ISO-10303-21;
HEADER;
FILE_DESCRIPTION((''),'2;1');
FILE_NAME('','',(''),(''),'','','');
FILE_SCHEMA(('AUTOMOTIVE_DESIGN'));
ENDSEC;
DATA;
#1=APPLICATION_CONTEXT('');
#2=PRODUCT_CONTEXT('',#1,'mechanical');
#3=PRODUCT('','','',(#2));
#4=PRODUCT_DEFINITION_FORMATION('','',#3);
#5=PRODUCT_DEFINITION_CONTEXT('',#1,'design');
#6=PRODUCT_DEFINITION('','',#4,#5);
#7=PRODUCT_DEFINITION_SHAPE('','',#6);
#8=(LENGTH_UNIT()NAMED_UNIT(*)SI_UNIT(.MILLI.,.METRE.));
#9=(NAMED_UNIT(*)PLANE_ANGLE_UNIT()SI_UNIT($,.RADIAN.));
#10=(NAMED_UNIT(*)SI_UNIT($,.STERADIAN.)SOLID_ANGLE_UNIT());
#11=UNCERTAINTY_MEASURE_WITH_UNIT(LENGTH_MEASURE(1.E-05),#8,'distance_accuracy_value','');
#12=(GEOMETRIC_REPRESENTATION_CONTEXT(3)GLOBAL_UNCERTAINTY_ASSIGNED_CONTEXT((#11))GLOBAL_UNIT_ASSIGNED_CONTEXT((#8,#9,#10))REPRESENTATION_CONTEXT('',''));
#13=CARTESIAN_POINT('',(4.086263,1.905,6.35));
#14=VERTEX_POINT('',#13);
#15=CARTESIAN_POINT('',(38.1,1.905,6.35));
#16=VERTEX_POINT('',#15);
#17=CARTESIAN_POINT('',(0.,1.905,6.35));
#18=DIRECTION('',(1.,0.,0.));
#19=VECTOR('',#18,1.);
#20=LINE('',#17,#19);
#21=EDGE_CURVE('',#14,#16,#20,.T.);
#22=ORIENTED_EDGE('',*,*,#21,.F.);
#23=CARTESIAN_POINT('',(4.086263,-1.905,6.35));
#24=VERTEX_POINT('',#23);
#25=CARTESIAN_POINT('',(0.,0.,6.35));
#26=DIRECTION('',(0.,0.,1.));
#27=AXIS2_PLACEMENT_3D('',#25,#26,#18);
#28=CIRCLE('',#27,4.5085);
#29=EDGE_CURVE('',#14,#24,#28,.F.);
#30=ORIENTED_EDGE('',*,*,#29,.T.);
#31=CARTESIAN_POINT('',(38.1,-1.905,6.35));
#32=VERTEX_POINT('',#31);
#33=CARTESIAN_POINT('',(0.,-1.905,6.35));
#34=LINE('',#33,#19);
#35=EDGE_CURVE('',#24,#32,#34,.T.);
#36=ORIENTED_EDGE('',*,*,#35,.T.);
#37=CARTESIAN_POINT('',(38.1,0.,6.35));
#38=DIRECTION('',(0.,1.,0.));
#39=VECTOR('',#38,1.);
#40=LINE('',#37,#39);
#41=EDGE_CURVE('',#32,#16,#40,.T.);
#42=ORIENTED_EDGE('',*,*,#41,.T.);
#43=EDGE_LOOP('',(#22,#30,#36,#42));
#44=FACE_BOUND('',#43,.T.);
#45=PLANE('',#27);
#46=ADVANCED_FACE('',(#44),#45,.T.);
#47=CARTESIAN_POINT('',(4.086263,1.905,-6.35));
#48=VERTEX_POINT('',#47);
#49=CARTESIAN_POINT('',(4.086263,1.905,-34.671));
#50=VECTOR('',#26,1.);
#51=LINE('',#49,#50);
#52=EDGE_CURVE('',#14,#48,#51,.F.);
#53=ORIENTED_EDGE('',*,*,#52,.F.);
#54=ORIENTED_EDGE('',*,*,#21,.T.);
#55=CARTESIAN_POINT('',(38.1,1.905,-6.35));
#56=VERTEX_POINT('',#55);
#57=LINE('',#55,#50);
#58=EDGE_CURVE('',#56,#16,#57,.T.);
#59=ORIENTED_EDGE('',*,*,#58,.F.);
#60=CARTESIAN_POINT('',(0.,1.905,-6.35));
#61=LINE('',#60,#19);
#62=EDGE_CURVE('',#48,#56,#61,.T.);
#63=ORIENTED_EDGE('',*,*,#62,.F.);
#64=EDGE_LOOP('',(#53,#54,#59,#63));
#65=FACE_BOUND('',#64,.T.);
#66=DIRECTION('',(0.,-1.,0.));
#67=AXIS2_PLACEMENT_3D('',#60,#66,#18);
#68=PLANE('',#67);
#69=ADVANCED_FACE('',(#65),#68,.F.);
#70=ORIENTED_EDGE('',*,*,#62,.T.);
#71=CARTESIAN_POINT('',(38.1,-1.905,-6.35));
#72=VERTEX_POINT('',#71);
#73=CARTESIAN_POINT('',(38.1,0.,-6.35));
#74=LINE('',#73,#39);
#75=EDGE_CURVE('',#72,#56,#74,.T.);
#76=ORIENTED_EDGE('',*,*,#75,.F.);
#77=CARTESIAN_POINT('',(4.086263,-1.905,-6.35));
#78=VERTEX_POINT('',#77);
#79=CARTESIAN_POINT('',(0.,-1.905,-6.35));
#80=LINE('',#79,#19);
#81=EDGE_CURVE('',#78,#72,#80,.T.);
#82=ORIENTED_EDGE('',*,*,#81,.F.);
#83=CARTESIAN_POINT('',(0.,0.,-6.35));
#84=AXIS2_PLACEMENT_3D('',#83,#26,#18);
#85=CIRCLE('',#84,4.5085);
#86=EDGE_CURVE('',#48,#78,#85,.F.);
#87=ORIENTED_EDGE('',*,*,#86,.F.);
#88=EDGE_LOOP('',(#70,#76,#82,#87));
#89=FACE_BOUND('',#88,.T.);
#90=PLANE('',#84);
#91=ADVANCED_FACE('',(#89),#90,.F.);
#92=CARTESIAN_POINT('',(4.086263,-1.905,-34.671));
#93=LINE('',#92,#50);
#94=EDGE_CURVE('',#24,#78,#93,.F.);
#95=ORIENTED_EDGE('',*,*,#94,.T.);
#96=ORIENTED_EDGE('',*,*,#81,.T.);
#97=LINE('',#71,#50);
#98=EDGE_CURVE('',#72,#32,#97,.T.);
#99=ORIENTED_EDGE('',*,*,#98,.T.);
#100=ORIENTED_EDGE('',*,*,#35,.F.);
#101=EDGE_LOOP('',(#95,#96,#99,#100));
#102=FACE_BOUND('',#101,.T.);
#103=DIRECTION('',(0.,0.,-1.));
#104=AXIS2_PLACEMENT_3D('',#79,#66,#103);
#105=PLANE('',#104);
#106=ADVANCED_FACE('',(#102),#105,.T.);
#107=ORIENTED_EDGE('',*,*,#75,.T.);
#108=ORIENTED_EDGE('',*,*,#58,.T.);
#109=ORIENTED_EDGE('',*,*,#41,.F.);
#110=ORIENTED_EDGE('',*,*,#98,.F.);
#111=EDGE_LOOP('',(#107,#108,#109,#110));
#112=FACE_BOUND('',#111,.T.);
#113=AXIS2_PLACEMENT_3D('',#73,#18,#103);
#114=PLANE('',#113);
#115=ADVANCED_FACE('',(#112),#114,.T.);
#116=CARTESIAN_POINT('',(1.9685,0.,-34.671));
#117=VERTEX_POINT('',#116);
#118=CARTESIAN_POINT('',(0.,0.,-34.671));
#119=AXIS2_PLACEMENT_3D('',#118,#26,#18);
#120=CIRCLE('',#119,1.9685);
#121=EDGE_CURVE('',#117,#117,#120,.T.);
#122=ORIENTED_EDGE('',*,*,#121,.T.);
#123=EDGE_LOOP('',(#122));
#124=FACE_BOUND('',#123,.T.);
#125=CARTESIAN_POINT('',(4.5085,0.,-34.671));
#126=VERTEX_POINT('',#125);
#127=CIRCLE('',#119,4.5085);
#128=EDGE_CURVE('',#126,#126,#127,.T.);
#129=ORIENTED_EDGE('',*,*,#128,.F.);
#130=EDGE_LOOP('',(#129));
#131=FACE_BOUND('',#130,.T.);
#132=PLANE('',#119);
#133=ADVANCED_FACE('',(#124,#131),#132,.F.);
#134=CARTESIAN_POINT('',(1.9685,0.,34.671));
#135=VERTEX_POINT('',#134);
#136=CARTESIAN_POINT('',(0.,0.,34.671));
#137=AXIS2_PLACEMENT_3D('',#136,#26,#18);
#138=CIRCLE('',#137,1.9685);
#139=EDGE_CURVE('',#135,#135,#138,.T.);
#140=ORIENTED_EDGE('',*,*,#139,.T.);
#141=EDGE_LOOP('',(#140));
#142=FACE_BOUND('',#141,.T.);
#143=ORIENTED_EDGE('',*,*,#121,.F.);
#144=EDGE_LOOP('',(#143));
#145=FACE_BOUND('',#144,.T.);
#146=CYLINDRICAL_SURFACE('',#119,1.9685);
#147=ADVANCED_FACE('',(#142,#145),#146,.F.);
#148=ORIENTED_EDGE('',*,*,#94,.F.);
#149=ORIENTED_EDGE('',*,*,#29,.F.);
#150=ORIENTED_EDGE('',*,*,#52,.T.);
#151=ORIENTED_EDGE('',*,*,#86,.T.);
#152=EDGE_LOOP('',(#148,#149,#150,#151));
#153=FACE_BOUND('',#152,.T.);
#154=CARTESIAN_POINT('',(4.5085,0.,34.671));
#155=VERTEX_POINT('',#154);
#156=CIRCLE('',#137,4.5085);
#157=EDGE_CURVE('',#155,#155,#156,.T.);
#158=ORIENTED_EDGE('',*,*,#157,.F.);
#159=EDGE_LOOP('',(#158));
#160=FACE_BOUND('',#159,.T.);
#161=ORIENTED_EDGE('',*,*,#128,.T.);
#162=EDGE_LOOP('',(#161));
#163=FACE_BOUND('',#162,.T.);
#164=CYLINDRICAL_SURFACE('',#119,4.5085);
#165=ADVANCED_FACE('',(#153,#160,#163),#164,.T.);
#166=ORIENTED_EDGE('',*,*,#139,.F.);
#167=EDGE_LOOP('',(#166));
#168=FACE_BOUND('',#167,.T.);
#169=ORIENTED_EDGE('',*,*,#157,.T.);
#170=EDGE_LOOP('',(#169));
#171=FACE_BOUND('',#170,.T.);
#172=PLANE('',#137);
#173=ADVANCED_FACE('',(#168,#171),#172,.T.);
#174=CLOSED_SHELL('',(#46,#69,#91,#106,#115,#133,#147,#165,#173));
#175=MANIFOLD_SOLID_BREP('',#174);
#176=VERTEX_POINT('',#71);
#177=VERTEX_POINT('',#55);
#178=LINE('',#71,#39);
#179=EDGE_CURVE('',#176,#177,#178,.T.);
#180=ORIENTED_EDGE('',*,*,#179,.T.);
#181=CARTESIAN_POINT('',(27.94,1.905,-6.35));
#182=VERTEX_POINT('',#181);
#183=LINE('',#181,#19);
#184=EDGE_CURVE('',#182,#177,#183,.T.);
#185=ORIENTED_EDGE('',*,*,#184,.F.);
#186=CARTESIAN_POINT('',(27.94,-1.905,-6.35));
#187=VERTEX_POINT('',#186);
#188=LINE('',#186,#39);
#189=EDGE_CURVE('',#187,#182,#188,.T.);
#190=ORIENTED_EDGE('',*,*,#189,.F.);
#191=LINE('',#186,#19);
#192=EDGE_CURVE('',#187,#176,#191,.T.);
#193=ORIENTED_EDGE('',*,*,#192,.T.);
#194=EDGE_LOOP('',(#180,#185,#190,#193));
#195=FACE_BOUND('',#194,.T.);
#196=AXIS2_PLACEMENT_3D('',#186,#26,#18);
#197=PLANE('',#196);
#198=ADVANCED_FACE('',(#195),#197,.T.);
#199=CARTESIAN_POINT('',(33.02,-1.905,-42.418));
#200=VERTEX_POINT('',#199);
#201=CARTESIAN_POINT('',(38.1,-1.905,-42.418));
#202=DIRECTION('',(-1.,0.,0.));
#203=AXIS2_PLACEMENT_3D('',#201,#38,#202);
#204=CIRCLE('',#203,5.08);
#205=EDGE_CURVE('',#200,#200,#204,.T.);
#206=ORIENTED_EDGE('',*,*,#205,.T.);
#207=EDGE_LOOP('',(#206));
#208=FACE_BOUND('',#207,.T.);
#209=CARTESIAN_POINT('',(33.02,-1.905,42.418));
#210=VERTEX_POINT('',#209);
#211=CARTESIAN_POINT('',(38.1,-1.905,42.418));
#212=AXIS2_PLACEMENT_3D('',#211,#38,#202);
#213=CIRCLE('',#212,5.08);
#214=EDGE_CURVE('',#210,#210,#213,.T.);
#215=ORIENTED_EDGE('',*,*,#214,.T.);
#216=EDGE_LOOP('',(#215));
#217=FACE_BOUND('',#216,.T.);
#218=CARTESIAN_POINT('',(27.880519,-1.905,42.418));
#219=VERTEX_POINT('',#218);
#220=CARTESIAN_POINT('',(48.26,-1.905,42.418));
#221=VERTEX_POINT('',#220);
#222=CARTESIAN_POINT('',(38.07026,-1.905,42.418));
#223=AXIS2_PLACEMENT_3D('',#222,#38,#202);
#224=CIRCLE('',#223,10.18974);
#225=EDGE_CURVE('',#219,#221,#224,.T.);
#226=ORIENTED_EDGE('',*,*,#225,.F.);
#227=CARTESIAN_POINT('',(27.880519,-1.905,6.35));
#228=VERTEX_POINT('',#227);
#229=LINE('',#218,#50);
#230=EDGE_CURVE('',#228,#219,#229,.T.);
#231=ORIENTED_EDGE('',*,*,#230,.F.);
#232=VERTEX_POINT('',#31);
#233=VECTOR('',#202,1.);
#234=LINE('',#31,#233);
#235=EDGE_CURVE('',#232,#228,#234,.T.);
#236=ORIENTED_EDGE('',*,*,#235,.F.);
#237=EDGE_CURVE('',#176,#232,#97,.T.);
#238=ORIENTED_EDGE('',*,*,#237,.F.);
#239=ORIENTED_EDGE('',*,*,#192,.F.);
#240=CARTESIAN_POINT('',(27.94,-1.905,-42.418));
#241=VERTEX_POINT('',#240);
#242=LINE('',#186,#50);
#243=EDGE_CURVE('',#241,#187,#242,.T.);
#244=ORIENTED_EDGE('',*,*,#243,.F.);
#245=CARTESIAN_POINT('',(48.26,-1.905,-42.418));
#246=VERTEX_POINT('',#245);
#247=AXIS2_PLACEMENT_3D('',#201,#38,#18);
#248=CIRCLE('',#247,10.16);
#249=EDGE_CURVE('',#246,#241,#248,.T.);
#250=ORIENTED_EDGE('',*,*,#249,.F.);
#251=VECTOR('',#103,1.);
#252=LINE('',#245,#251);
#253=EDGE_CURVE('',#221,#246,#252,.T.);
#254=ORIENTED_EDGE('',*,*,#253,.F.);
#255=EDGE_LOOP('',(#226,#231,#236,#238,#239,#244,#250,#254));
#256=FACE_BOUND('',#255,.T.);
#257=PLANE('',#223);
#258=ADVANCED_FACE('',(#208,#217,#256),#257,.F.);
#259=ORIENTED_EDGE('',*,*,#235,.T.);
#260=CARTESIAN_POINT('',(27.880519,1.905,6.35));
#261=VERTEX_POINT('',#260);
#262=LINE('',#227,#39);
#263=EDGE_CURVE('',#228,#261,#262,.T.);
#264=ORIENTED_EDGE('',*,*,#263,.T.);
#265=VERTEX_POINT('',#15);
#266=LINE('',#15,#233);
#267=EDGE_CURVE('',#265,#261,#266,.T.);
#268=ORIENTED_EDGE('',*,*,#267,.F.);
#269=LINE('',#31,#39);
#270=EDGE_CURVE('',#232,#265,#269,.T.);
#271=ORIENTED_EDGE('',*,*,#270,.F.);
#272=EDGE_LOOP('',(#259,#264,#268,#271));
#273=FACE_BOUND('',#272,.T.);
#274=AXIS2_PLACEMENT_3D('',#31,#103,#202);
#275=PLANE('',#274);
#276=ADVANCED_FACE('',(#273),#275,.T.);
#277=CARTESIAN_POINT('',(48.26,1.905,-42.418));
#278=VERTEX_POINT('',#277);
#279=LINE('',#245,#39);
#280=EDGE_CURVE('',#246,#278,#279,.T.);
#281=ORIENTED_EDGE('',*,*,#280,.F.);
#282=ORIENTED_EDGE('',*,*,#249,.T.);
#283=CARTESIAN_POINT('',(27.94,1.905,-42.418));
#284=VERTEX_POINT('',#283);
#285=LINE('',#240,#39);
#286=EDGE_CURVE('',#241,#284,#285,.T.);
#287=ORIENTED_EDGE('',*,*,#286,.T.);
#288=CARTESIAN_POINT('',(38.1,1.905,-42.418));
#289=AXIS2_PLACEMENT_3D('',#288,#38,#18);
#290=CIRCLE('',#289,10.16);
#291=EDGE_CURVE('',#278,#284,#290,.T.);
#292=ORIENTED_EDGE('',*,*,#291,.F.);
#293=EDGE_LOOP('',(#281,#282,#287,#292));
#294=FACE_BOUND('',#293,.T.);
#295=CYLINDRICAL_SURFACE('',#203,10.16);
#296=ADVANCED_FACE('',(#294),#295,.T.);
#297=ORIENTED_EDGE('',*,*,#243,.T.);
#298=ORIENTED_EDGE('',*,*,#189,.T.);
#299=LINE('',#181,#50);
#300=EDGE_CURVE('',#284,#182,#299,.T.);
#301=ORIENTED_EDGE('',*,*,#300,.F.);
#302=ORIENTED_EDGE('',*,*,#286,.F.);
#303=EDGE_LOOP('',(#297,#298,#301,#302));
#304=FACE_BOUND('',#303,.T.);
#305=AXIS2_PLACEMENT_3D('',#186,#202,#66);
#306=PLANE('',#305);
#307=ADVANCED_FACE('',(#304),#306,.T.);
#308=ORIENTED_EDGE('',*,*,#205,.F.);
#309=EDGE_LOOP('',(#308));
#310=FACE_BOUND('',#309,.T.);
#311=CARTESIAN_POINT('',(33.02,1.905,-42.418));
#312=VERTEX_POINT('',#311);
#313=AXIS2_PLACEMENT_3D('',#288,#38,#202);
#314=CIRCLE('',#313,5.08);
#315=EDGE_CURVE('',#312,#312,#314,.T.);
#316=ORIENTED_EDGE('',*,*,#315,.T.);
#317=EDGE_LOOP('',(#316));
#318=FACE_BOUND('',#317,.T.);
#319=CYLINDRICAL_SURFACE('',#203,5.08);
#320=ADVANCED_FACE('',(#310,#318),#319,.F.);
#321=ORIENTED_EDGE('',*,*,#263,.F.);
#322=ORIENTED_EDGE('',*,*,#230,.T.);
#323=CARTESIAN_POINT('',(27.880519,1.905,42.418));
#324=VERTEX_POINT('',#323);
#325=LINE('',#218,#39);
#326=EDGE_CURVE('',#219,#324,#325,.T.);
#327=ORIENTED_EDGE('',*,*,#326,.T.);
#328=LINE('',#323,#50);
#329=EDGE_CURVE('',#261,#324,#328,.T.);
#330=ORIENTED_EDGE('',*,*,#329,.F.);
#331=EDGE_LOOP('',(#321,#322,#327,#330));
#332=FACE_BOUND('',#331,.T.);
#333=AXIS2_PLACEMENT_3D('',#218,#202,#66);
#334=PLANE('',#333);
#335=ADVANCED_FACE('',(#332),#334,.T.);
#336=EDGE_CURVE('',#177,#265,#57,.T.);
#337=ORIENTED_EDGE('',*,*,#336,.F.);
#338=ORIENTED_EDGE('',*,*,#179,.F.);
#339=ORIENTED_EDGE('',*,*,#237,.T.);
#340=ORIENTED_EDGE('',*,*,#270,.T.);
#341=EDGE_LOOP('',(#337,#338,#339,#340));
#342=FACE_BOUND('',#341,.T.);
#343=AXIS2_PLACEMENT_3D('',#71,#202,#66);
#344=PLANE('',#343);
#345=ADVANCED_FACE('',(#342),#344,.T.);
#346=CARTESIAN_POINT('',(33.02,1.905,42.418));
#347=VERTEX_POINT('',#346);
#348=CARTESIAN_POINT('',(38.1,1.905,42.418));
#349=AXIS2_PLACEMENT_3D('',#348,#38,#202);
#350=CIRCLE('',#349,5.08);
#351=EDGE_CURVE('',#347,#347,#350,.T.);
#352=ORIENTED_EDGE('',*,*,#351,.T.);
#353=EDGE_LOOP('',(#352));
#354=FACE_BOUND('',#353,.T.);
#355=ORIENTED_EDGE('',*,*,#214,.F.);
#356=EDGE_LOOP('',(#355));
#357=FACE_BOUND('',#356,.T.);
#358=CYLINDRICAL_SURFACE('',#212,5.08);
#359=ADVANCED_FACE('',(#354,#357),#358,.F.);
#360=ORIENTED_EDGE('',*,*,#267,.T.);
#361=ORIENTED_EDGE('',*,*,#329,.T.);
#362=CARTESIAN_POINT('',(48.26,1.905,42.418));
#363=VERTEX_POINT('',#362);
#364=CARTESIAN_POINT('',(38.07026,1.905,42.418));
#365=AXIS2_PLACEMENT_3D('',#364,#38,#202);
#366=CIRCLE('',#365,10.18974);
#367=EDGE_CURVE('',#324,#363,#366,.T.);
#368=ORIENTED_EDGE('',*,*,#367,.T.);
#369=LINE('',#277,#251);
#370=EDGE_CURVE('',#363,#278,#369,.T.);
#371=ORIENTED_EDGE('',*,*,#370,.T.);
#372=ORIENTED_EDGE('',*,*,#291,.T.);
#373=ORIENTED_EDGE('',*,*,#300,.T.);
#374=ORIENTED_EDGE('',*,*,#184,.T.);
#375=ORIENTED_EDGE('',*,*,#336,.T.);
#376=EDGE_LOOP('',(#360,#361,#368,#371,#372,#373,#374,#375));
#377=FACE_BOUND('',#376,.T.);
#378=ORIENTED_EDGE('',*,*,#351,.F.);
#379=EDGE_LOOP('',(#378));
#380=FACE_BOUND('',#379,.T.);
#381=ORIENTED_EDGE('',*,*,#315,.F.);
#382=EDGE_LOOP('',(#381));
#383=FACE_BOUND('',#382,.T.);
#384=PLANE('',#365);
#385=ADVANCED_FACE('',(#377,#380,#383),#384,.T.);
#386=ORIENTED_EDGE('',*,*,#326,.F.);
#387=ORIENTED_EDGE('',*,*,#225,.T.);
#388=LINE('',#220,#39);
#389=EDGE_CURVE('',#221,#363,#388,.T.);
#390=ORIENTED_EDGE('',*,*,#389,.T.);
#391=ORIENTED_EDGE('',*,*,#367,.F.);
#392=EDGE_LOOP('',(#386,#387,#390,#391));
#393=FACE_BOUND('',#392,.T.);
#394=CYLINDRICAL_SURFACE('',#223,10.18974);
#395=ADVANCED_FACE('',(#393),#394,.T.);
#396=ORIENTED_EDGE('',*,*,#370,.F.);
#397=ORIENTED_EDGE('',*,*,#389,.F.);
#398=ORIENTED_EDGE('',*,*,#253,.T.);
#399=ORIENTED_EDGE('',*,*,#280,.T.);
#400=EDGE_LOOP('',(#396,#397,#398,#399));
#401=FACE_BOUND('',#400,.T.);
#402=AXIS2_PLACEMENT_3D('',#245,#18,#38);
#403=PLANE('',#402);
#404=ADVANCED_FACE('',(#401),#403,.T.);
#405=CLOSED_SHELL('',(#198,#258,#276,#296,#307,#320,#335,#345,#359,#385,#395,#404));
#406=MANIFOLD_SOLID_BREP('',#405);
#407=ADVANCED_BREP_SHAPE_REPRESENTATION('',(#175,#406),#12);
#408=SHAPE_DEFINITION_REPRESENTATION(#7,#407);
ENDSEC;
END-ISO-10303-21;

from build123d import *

# Parameters (mm, degrees)
BOSS_EXTRUDE1_DEPTH      = 34.671
BOSS_EXTRUDE1_DEPTH_BACK = 34.671
SKETCH1_R                = 4.5085
SKETCH1_R_2              = 1.9685
BOSS_EXTRUDE2_DEPTH      = 6.35
BOSS_EXTRUDE2_DEPTH_BACK = 6.35
SKETCH3_W                = 36.1315
SKETCH3_H                = 3.81
SKETCH5_R                = 5.08
BOSS_EXTRUDE3_DEPTH      = 3.81


with BuildPart() as part:
    # Sketch1 → Boss-Extrude1 (new, two sides: drawn at the far end of the back side and taken through both)
    with BuildSketch(Plane.XY.offset(-BOSS_EXTRUDE1_DEPTH_BACK)):
        Circle(SKETCH1_R)
        Circle(SKETCH1_R_2, mode=Mode.SUBTRACT)
    extrude(amount=BOSS_EXTRUDE1_DEPTH + BOSS_EXTRUDE1_DEPTH_BACK)

    # Sketch3 → Boss-Extrude2 (add, two sides: drawn at the far end of the back side and taken through both)
    with BuildSketch(Plane.XY.offset(-BOSS_EXTRUDE2_DEPTH_BACK)):
        with Locations((20.03425, 0)):
            Rectangle(SKETCH3_W, SKETCH3_H)
    extrude(amount=BOSS_EXTRUDE2_DEPTH + BOSS_EXTRUDE2_DEPTH_BACK)


with BuildPart() as body_2:
    # Sketch5 → Boss-Extrude3 (new body)
    with BuildSketch(Plane(origin=(0, 1.905, 0), x_dir=(1, 0, 0), z_dir=(0, 1, 0))):
        with BuildLine():
            Line((27.880519362, -42.418), (27.880519362, -6.35))
            Line((27.880519362, -6.35), (38.1, -6.35))
            Line((38.1, -6.35), (38.1, 6.35))
            Line((38.1, 6.35), (27.94, 6.35))
            Line((27.94, 6.35), (27.94, 42.418))
            ThreePointArc((27.94, 42.418), (38.1, 52.578), (48.26, 42.418))
            Line((48.26, 42.418), (48.26, -42.418))
            ThreePointArc((48.26, -42.418), (38.070259681, -52.607740319), (27.880519362, -42.418))
        make_face()
        with Locations(Location((38.1, -42.418, 0), (0, 0, 180))):
            Circle(SKETCH5_R, mode=Mode.SUBTRACT)
        with Locations(Location((38.1, 42.418, 0), (0, 0, 180))):
            Circle(SKETCH5_R, mode=Mode.SUBTRACT)
    extrude(amount=-BOSS_EXTRUDE3_DEPTH)


solid = Compound([part.part, body_2.part])
